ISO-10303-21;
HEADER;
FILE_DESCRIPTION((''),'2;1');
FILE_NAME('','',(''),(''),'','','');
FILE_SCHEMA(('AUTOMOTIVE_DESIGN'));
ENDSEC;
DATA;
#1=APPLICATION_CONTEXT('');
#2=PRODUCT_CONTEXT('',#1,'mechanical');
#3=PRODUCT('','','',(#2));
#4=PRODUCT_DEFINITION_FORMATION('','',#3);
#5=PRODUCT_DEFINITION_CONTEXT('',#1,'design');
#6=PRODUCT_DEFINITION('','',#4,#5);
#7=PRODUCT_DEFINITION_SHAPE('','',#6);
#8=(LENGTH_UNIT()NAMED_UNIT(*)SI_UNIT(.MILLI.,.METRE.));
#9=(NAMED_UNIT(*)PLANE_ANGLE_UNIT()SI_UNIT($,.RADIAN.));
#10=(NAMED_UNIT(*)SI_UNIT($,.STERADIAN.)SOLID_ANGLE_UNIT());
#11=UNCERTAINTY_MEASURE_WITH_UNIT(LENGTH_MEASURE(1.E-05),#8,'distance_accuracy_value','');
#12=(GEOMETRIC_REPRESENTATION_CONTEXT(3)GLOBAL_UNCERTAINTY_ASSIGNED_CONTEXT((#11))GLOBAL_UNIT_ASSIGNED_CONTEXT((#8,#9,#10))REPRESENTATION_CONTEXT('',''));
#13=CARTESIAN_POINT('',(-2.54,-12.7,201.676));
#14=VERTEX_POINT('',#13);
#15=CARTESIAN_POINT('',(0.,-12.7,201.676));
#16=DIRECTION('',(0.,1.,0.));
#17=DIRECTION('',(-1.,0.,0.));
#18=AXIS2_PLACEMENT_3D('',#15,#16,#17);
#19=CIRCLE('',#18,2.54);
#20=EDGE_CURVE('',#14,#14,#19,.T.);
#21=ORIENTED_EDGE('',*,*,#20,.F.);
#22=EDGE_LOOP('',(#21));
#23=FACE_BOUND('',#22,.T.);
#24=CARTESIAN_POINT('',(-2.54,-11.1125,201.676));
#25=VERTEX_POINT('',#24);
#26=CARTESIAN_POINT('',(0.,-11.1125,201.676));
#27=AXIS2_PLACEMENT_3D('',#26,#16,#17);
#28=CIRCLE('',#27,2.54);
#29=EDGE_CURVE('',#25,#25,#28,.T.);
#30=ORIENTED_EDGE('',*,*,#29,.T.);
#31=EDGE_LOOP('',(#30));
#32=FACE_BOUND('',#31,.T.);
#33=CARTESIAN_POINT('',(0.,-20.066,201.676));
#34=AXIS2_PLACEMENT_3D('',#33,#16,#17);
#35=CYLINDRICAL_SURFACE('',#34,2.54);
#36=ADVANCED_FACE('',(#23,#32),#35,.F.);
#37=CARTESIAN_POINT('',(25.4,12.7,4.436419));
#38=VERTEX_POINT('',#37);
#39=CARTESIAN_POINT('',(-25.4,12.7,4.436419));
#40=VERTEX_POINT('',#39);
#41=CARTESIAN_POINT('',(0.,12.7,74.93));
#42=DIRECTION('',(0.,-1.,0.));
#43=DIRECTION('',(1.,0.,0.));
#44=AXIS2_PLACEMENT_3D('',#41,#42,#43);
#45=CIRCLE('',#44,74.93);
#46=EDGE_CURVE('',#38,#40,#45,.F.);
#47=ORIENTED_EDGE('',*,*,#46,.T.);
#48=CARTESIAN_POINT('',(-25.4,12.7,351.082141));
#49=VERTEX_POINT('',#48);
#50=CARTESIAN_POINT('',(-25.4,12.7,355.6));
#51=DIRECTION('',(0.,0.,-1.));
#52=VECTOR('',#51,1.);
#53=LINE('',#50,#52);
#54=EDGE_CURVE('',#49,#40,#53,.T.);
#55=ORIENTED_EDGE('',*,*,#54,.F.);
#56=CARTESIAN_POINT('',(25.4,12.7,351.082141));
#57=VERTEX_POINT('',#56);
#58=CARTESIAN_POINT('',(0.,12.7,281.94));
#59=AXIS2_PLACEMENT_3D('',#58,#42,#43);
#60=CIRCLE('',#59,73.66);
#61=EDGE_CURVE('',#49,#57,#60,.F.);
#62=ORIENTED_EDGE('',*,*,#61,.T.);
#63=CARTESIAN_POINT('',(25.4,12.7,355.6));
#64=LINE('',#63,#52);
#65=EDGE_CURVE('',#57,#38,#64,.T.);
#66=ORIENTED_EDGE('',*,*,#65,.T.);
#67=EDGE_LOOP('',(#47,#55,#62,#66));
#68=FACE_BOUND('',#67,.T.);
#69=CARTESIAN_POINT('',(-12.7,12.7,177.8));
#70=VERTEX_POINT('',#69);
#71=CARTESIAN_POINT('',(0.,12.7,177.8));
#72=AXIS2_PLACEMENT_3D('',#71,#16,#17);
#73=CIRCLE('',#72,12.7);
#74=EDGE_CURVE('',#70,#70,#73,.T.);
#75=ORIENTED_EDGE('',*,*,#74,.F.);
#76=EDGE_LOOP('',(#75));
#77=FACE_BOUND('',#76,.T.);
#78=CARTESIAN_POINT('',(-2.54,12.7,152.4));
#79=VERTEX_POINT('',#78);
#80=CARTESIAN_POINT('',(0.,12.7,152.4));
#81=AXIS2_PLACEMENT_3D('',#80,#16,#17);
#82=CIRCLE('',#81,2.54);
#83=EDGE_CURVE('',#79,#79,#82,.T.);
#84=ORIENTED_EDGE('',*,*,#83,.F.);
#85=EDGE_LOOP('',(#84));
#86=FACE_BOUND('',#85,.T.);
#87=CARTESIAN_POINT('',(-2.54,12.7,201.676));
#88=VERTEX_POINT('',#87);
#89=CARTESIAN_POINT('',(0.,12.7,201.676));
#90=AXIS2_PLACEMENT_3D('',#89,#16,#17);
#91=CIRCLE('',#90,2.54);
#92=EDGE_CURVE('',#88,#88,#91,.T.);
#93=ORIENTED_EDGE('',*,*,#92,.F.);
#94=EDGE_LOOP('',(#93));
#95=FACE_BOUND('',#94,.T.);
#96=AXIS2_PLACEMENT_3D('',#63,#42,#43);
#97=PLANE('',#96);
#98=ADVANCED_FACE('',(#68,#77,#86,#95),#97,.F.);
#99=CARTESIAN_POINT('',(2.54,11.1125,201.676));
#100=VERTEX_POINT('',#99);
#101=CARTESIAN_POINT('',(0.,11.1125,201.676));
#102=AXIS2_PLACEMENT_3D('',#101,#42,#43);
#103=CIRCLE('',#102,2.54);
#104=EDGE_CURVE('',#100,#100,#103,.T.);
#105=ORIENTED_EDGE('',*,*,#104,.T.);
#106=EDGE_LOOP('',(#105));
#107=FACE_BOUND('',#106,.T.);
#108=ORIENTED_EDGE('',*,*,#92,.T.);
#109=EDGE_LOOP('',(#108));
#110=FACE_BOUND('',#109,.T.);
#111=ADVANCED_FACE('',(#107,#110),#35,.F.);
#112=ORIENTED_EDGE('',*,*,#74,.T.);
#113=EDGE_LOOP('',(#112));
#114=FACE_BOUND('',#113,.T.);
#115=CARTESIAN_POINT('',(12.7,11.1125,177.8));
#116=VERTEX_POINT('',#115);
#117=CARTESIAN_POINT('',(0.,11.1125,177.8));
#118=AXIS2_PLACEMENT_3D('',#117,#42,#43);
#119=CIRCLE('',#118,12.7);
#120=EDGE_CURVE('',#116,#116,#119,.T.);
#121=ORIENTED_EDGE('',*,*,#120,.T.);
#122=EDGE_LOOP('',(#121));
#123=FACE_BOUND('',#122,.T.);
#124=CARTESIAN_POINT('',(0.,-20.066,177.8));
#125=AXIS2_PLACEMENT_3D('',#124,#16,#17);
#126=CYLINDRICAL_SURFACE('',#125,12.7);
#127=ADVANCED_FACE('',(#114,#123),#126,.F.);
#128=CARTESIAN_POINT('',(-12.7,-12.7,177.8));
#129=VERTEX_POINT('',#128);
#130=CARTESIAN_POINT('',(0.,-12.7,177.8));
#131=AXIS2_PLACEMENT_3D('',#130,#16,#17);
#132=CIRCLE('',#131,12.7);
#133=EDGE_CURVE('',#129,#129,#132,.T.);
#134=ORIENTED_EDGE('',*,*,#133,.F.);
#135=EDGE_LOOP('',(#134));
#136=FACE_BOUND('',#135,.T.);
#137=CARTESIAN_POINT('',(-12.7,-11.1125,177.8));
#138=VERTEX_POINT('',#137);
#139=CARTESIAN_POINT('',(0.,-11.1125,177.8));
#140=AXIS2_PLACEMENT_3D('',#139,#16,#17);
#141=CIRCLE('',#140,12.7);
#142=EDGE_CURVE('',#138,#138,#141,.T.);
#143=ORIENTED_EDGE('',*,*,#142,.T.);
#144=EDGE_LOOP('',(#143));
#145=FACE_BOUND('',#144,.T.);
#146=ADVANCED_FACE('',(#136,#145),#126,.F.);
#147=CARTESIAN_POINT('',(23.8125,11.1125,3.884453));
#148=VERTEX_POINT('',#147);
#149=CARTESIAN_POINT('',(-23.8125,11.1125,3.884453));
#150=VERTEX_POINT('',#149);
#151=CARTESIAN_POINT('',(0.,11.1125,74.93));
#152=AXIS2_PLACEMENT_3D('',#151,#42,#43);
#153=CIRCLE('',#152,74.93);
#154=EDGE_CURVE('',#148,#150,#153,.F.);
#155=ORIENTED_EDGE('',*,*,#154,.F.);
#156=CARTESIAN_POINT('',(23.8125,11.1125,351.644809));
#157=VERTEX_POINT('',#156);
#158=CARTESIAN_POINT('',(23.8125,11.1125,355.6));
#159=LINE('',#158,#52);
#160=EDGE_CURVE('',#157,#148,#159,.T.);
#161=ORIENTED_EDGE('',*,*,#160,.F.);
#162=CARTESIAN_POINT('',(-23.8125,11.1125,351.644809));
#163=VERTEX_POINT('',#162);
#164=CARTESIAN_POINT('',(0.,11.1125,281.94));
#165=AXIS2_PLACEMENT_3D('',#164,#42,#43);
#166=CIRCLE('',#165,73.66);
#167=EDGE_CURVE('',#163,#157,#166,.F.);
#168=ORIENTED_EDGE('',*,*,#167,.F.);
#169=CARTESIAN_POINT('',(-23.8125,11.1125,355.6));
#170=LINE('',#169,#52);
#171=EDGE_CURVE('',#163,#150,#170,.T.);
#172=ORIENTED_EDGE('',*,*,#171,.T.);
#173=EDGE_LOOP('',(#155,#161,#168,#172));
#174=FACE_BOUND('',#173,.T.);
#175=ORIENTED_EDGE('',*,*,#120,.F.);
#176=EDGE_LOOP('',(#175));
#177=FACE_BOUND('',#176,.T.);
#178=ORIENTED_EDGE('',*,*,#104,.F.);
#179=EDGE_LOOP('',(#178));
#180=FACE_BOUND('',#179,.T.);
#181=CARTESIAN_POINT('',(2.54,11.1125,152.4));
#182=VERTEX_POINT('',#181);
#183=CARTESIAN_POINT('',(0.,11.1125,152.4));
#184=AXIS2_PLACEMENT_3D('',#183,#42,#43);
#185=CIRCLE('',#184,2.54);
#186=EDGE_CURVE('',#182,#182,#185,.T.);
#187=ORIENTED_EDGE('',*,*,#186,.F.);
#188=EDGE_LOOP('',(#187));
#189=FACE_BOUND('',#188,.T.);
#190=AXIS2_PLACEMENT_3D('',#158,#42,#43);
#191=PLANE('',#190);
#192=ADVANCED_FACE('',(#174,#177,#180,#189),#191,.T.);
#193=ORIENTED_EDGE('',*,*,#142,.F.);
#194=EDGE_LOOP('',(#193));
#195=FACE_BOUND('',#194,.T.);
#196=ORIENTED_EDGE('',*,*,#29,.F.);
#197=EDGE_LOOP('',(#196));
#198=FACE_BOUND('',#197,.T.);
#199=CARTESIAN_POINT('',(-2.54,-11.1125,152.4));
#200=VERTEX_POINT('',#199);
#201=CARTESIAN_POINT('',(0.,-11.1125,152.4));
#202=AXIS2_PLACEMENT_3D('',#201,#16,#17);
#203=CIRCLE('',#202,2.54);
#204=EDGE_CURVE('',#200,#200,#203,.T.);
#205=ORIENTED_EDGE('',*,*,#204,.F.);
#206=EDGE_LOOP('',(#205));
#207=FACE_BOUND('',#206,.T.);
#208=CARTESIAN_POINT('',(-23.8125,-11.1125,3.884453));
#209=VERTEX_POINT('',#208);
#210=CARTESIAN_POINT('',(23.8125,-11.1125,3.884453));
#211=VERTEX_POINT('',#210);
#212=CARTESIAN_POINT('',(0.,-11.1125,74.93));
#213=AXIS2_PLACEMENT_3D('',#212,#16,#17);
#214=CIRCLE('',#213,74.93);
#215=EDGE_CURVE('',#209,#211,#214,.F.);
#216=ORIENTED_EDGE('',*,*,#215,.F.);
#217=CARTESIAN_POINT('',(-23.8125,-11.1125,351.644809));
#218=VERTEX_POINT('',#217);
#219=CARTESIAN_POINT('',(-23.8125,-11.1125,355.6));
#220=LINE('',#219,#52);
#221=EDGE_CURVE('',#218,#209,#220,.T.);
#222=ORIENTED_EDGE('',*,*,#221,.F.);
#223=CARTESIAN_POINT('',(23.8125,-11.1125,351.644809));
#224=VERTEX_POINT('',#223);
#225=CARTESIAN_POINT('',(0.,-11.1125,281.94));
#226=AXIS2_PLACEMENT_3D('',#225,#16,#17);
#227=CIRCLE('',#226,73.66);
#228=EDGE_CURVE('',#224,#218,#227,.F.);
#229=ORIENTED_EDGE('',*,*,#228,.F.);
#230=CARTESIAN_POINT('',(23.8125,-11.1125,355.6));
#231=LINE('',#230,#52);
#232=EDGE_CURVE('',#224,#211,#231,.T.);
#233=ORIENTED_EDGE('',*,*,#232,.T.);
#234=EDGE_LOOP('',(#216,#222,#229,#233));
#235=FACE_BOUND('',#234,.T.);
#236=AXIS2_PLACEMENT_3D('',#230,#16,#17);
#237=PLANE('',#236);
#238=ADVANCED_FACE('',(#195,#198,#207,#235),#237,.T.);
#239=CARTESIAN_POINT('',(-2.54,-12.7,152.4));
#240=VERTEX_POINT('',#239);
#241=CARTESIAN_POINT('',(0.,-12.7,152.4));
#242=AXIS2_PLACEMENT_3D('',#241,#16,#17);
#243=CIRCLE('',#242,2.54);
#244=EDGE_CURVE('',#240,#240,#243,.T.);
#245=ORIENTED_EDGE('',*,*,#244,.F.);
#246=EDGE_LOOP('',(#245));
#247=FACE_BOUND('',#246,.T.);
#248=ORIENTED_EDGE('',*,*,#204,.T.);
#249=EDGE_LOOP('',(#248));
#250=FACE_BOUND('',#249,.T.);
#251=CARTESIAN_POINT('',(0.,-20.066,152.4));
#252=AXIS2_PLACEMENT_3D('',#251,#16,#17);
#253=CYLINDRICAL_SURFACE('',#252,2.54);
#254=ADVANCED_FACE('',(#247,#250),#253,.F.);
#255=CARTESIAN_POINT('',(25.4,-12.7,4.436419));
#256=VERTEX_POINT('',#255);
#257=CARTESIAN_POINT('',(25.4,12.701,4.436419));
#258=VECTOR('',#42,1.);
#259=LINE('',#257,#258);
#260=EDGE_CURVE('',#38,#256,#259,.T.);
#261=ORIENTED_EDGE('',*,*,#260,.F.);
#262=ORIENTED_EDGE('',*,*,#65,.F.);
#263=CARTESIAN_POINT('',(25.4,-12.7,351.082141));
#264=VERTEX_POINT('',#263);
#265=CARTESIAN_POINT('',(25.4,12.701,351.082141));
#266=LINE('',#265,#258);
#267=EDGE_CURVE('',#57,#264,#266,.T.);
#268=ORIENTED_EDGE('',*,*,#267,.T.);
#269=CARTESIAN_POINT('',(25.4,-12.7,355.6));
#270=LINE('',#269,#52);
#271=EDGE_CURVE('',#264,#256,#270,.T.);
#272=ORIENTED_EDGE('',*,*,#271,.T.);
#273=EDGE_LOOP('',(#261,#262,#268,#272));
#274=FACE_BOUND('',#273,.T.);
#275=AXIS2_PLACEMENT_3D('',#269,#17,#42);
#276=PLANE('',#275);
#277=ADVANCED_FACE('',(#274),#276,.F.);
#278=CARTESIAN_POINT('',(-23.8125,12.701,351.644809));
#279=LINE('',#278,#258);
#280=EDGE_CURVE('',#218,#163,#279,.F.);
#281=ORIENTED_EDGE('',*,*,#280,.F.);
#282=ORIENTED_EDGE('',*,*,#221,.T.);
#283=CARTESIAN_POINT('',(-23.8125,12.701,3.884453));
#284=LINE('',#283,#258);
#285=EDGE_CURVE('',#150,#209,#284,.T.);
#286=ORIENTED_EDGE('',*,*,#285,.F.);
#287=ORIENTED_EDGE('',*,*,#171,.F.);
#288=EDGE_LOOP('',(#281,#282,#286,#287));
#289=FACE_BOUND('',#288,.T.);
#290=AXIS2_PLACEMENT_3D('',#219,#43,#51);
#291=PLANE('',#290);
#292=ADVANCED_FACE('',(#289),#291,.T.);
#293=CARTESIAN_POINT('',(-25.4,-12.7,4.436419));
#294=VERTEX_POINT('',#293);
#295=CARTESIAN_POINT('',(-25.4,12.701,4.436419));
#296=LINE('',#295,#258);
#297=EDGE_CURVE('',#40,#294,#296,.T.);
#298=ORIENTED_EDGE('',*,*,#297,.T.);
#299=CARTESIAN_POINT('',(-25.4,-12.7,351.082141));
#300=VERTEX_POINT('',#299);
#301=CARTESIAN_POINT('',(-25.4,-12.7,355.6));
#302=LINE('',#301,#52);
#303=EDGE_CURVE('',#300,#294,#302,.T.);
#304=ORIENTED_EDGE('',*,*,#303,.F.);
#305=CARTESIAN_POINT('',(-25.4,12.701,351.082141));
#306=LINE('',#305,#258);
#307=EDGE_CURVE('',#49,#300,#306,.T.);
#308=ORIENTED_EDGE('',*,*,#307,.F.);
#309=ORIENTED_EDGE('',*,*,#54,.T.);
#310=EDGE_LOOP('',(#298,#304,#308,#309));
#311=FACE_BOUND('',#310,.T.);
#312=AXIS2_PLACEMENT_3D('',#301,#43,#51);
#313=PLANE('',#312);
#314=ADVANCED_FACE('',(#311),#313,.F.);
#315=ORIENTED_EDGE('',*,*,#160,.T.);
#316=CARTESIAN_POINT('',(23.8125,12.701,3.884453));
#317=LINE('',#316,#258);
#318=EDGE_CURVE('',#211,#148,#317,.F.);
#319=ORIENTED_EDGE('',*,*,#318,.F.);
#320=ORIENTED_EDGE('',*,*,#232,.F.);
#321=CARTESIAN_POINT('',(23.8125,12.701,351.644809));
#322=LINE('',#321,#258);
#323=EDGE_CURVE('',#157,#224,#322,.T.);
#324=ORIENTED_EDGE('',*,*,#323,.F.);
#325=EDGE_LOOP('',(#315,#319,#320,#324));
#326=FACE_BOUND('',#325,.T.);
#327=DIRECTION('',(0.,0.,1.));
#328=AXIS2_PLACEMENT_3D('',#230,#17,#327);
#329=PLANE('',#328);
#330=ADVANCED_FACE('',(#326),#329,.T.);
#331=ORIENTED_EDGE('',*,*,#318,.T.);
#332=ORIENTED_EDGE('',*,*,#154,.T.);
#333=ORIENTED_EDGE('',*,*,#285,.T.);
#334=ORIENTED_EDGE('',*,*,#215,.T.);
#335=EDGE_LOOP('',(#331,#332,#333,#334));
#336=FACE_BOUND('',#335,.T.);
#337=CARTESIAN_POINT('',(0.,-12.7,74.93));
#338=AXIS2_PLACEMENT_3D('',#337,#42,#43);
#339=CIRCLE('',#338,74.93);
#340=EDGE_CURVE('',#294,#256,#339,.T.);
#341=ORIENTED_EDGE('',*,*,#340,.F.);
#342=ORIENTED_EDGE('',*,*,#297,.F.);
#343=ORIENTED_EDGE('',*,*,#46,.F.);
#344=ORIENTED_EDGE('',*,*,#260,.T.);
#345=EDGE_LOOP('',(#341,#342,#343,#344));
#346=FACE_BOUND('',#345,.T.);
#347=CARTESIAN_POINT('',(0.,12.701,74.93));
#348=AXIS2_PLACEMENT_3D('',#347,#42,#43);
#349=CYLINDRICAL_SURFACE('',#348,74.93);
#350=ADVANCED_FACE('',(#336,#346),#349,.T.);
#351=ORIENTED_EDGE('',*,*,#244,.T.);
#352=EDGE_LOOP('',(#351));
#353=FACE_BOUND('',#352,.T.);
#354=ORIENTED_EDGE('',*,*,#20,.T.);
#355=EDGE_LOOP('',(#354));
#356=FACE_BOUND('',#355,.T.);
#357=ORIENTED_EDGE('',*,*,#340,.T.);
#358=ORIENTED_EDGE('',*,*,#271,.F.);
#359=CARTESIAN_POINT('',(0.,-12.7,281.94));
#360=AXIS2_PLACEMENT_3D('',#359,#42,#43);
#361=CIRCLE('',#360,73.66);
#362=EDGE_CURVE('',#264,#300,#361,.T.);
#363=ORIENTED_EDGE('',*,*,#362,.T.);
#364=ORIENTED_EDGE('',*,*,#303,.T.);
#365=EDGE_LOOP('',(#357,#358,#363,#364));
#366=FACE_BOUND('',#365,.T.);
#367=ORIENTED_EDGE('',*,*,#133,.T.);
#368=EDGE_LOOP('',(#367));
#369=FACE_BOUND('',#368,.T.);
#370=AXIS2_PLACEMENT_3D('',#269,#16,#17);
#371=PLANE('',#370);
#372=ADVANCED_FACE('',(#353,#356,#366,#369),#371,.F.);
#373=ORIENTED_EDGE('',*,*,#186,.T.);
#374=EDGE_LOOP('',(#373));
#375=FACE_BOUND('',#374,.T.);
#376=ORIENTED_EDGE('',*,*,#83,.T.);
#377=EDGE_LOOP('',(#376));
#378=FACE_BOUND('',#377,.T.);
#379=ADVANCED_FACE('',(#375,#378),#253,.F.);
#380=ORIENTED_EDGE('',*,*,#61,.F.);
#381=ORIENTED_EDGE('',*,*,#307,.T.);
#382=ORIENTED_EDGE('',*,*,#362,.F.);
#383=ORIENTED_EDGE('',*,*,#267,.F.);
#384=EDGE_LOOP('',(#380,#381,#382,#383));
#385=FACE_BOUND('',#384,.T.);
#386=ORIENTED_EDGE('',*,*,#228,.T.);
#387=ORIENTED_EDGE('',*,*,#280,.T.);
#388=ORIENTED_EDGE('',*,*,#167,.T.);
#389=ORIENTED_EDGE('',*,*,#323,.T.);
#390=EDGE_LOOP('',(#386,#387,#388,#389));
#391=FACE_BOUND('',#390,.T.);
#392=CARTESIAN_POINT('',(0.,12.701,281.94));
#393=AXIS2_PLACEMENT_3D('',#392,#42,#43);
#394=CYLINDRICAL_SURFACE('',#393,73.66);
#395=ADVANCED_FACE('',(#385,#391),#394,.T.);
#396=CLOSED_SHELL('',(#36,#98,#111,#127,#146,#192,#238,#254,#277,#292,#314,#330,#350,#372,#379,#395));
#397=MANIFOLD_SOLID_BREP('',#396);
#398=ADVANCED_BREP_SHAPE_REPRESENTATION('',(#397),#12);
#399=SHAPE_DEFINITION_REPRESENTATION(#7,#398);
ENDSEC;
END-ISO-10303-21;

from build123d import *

# Parameters (mm, degrees)
SKETCH1_W           = 50.8
SKETCH1_H           = 25.4
SKETCH1_W_2         = 47.625
SKETCH1_H_2         = 22.225
BOSS_EXTRUDE1_DEPTH = 355.6
SKETCH2_R           = 12.7
SKETCH2_R_2         = 2.54
CUT_EXTRUDE4_DEPTH  = 32.766
CUT_EXTRUDE5_REACH  = 359.41


with BuildPart() as part:
    # Sketch1 → Boss-Extrude1 (new body)
    with BuildSketch(Plane.XY):
        Rectangle(SKETCH1_W, SKETCH1_H)
        Rectangle(SKETCH1_W_2, SKETCH1_H_2, mode=Mode.SUBTRACT)
    extrude(amount=BOSS_EXTRUDE1_DEPTH)

    # Sketch2 → Cut-Extrude4 (cut)
    with BuildSketch(Plane(origin=(0, 12.7, 0), x_dir=(1, 0, 0), z_dir=(0, 1, 0))):
        with Locations(Location((0, -177.8, 0), (0, 0, 180))):
            Circle(SKETCH2_R)
        with Locations(Location((0, -152.4, 0), (0, 0, 180))):
            Circle(SKETCH2_R_2)
        with Locations(Location((0, -201.676, 0), (0, 0, 180))):
            Circle(SKETCH2_R_2)
    extrude(amount=-CUT_EXTRUDE4_DEPTH, mode=Mode.SUBTRACT)

    # Sketch3 → Cut-Extrude5 (cut, up to next)
    with BuildSketch(Plane.XZ.offset(12.7), mode=Mode.PRIVATE) as cut_extrude5_sk1:
        with BuildLine():
            ThreePointArc((-4.48e-07, 355.6), (12.899331681, 354.46174048), (25.4, 351.082140551))
            Line((25.4, 351.082140551), (25.4, 355.6))
            Line((25.4, 355.6), (-4.48e-07, 355.6))
        make_face()
    cut_extrude5_tool1 = extrude(cut_extrude5_sk1.sketch, amount=-CUT_EXTRUDE5_REACH, mode=Mode.PRIVATE) & part.part
    # Sketch3 → Cut-Extrude5 (cut, up to next)
    with BuildSketch(Plane.XZ.offset(12.7), mode=Mode.PRIVATE) as cut_extrude5_sk2:
        with BuildLine():
            Line((-25.4, 355.6), (-25.4, 351.082140551))
            ThreePointArc((-25.4, 351.082140551), (-12.899332122, 354.461740401), (-4.48e-07, 355.6))
            Line((-4.48e-07, 355.6), (-25.4, 355.6))
        make_face()
    cut_extrude5_tool2 = extrude(cut_extrude5_sk2.sketch, amount=-CUT_EXTRUDE5_REACH, mode=Mode.PRIVATE) & part.part
    # Sketch3 → Cut-Extrude5 (cut, up to next)
    with BuildSketch(Plane.XZ.offset(12.7), mode=Mode.PRIVATE) as cut_extrude5_sk3:
        with BuildLine():
            ThreePointArc((25.4, 4.436419441), (12.892263223, 1.117437052), (-2.64e-07, 0))
            Line((-2.64e-07, 0), (25.4, 0))
            Line((25.4, 0), (25.4, 4.436419441))
        make_face()
    cut_extrude5_tool3 = extrude(cut_extrude5_sk3.sketch, amount=-CUT_EXTRUDE5_REACH, mode=Mode.PRIVATE) & part.part
    # Sketch3 → Cut-Extrude5 (cut, up to next)
    with BuildSketch(Plane.XZ.offset(12.7), mode=Mode.PRIVATE) as cut_extrude5_sk4:
        with BuildLine():
            Line((-25.4, 4.436419441), (-25.4, 0))
            Line((-25.4, 0), (-2.64e-07, 0))
            ThreePointArc((-2.64e-07, 0), (-12.892263483, 1.117437097), (-25.4, 4.436419441))
        make_face()
    cut_extrude5_tool4 = extrude(cut_extrude5_sk4.sketch, amount=-CUT_EXTRUDE5_REACH, mode=Mode.PRIVATE) & part.part
    add(cut_extrude5_tool1.solids().sort_by_distance((19.0896, -12.7, 354.252078))[0], mode=Mode.SUBTRACT)
    add(cut_extrude5_tool2.solids().sort_by_distance((-19.0896, -12.7, 354.252078))[0], mode=Mode.SUBTRACT)
    add(cut_extrude5_tool3.solids().sort_by_distance((19.088205, -12.7, 1.323888))[0], mode=Mode.SUBTRACT)
    add(cut_extrude5_tool4.solids().sort_by_distance((-19.088205, -12.7, 1.323888))[0], mode=Mode.SUBTRACT)


solid = part.part
